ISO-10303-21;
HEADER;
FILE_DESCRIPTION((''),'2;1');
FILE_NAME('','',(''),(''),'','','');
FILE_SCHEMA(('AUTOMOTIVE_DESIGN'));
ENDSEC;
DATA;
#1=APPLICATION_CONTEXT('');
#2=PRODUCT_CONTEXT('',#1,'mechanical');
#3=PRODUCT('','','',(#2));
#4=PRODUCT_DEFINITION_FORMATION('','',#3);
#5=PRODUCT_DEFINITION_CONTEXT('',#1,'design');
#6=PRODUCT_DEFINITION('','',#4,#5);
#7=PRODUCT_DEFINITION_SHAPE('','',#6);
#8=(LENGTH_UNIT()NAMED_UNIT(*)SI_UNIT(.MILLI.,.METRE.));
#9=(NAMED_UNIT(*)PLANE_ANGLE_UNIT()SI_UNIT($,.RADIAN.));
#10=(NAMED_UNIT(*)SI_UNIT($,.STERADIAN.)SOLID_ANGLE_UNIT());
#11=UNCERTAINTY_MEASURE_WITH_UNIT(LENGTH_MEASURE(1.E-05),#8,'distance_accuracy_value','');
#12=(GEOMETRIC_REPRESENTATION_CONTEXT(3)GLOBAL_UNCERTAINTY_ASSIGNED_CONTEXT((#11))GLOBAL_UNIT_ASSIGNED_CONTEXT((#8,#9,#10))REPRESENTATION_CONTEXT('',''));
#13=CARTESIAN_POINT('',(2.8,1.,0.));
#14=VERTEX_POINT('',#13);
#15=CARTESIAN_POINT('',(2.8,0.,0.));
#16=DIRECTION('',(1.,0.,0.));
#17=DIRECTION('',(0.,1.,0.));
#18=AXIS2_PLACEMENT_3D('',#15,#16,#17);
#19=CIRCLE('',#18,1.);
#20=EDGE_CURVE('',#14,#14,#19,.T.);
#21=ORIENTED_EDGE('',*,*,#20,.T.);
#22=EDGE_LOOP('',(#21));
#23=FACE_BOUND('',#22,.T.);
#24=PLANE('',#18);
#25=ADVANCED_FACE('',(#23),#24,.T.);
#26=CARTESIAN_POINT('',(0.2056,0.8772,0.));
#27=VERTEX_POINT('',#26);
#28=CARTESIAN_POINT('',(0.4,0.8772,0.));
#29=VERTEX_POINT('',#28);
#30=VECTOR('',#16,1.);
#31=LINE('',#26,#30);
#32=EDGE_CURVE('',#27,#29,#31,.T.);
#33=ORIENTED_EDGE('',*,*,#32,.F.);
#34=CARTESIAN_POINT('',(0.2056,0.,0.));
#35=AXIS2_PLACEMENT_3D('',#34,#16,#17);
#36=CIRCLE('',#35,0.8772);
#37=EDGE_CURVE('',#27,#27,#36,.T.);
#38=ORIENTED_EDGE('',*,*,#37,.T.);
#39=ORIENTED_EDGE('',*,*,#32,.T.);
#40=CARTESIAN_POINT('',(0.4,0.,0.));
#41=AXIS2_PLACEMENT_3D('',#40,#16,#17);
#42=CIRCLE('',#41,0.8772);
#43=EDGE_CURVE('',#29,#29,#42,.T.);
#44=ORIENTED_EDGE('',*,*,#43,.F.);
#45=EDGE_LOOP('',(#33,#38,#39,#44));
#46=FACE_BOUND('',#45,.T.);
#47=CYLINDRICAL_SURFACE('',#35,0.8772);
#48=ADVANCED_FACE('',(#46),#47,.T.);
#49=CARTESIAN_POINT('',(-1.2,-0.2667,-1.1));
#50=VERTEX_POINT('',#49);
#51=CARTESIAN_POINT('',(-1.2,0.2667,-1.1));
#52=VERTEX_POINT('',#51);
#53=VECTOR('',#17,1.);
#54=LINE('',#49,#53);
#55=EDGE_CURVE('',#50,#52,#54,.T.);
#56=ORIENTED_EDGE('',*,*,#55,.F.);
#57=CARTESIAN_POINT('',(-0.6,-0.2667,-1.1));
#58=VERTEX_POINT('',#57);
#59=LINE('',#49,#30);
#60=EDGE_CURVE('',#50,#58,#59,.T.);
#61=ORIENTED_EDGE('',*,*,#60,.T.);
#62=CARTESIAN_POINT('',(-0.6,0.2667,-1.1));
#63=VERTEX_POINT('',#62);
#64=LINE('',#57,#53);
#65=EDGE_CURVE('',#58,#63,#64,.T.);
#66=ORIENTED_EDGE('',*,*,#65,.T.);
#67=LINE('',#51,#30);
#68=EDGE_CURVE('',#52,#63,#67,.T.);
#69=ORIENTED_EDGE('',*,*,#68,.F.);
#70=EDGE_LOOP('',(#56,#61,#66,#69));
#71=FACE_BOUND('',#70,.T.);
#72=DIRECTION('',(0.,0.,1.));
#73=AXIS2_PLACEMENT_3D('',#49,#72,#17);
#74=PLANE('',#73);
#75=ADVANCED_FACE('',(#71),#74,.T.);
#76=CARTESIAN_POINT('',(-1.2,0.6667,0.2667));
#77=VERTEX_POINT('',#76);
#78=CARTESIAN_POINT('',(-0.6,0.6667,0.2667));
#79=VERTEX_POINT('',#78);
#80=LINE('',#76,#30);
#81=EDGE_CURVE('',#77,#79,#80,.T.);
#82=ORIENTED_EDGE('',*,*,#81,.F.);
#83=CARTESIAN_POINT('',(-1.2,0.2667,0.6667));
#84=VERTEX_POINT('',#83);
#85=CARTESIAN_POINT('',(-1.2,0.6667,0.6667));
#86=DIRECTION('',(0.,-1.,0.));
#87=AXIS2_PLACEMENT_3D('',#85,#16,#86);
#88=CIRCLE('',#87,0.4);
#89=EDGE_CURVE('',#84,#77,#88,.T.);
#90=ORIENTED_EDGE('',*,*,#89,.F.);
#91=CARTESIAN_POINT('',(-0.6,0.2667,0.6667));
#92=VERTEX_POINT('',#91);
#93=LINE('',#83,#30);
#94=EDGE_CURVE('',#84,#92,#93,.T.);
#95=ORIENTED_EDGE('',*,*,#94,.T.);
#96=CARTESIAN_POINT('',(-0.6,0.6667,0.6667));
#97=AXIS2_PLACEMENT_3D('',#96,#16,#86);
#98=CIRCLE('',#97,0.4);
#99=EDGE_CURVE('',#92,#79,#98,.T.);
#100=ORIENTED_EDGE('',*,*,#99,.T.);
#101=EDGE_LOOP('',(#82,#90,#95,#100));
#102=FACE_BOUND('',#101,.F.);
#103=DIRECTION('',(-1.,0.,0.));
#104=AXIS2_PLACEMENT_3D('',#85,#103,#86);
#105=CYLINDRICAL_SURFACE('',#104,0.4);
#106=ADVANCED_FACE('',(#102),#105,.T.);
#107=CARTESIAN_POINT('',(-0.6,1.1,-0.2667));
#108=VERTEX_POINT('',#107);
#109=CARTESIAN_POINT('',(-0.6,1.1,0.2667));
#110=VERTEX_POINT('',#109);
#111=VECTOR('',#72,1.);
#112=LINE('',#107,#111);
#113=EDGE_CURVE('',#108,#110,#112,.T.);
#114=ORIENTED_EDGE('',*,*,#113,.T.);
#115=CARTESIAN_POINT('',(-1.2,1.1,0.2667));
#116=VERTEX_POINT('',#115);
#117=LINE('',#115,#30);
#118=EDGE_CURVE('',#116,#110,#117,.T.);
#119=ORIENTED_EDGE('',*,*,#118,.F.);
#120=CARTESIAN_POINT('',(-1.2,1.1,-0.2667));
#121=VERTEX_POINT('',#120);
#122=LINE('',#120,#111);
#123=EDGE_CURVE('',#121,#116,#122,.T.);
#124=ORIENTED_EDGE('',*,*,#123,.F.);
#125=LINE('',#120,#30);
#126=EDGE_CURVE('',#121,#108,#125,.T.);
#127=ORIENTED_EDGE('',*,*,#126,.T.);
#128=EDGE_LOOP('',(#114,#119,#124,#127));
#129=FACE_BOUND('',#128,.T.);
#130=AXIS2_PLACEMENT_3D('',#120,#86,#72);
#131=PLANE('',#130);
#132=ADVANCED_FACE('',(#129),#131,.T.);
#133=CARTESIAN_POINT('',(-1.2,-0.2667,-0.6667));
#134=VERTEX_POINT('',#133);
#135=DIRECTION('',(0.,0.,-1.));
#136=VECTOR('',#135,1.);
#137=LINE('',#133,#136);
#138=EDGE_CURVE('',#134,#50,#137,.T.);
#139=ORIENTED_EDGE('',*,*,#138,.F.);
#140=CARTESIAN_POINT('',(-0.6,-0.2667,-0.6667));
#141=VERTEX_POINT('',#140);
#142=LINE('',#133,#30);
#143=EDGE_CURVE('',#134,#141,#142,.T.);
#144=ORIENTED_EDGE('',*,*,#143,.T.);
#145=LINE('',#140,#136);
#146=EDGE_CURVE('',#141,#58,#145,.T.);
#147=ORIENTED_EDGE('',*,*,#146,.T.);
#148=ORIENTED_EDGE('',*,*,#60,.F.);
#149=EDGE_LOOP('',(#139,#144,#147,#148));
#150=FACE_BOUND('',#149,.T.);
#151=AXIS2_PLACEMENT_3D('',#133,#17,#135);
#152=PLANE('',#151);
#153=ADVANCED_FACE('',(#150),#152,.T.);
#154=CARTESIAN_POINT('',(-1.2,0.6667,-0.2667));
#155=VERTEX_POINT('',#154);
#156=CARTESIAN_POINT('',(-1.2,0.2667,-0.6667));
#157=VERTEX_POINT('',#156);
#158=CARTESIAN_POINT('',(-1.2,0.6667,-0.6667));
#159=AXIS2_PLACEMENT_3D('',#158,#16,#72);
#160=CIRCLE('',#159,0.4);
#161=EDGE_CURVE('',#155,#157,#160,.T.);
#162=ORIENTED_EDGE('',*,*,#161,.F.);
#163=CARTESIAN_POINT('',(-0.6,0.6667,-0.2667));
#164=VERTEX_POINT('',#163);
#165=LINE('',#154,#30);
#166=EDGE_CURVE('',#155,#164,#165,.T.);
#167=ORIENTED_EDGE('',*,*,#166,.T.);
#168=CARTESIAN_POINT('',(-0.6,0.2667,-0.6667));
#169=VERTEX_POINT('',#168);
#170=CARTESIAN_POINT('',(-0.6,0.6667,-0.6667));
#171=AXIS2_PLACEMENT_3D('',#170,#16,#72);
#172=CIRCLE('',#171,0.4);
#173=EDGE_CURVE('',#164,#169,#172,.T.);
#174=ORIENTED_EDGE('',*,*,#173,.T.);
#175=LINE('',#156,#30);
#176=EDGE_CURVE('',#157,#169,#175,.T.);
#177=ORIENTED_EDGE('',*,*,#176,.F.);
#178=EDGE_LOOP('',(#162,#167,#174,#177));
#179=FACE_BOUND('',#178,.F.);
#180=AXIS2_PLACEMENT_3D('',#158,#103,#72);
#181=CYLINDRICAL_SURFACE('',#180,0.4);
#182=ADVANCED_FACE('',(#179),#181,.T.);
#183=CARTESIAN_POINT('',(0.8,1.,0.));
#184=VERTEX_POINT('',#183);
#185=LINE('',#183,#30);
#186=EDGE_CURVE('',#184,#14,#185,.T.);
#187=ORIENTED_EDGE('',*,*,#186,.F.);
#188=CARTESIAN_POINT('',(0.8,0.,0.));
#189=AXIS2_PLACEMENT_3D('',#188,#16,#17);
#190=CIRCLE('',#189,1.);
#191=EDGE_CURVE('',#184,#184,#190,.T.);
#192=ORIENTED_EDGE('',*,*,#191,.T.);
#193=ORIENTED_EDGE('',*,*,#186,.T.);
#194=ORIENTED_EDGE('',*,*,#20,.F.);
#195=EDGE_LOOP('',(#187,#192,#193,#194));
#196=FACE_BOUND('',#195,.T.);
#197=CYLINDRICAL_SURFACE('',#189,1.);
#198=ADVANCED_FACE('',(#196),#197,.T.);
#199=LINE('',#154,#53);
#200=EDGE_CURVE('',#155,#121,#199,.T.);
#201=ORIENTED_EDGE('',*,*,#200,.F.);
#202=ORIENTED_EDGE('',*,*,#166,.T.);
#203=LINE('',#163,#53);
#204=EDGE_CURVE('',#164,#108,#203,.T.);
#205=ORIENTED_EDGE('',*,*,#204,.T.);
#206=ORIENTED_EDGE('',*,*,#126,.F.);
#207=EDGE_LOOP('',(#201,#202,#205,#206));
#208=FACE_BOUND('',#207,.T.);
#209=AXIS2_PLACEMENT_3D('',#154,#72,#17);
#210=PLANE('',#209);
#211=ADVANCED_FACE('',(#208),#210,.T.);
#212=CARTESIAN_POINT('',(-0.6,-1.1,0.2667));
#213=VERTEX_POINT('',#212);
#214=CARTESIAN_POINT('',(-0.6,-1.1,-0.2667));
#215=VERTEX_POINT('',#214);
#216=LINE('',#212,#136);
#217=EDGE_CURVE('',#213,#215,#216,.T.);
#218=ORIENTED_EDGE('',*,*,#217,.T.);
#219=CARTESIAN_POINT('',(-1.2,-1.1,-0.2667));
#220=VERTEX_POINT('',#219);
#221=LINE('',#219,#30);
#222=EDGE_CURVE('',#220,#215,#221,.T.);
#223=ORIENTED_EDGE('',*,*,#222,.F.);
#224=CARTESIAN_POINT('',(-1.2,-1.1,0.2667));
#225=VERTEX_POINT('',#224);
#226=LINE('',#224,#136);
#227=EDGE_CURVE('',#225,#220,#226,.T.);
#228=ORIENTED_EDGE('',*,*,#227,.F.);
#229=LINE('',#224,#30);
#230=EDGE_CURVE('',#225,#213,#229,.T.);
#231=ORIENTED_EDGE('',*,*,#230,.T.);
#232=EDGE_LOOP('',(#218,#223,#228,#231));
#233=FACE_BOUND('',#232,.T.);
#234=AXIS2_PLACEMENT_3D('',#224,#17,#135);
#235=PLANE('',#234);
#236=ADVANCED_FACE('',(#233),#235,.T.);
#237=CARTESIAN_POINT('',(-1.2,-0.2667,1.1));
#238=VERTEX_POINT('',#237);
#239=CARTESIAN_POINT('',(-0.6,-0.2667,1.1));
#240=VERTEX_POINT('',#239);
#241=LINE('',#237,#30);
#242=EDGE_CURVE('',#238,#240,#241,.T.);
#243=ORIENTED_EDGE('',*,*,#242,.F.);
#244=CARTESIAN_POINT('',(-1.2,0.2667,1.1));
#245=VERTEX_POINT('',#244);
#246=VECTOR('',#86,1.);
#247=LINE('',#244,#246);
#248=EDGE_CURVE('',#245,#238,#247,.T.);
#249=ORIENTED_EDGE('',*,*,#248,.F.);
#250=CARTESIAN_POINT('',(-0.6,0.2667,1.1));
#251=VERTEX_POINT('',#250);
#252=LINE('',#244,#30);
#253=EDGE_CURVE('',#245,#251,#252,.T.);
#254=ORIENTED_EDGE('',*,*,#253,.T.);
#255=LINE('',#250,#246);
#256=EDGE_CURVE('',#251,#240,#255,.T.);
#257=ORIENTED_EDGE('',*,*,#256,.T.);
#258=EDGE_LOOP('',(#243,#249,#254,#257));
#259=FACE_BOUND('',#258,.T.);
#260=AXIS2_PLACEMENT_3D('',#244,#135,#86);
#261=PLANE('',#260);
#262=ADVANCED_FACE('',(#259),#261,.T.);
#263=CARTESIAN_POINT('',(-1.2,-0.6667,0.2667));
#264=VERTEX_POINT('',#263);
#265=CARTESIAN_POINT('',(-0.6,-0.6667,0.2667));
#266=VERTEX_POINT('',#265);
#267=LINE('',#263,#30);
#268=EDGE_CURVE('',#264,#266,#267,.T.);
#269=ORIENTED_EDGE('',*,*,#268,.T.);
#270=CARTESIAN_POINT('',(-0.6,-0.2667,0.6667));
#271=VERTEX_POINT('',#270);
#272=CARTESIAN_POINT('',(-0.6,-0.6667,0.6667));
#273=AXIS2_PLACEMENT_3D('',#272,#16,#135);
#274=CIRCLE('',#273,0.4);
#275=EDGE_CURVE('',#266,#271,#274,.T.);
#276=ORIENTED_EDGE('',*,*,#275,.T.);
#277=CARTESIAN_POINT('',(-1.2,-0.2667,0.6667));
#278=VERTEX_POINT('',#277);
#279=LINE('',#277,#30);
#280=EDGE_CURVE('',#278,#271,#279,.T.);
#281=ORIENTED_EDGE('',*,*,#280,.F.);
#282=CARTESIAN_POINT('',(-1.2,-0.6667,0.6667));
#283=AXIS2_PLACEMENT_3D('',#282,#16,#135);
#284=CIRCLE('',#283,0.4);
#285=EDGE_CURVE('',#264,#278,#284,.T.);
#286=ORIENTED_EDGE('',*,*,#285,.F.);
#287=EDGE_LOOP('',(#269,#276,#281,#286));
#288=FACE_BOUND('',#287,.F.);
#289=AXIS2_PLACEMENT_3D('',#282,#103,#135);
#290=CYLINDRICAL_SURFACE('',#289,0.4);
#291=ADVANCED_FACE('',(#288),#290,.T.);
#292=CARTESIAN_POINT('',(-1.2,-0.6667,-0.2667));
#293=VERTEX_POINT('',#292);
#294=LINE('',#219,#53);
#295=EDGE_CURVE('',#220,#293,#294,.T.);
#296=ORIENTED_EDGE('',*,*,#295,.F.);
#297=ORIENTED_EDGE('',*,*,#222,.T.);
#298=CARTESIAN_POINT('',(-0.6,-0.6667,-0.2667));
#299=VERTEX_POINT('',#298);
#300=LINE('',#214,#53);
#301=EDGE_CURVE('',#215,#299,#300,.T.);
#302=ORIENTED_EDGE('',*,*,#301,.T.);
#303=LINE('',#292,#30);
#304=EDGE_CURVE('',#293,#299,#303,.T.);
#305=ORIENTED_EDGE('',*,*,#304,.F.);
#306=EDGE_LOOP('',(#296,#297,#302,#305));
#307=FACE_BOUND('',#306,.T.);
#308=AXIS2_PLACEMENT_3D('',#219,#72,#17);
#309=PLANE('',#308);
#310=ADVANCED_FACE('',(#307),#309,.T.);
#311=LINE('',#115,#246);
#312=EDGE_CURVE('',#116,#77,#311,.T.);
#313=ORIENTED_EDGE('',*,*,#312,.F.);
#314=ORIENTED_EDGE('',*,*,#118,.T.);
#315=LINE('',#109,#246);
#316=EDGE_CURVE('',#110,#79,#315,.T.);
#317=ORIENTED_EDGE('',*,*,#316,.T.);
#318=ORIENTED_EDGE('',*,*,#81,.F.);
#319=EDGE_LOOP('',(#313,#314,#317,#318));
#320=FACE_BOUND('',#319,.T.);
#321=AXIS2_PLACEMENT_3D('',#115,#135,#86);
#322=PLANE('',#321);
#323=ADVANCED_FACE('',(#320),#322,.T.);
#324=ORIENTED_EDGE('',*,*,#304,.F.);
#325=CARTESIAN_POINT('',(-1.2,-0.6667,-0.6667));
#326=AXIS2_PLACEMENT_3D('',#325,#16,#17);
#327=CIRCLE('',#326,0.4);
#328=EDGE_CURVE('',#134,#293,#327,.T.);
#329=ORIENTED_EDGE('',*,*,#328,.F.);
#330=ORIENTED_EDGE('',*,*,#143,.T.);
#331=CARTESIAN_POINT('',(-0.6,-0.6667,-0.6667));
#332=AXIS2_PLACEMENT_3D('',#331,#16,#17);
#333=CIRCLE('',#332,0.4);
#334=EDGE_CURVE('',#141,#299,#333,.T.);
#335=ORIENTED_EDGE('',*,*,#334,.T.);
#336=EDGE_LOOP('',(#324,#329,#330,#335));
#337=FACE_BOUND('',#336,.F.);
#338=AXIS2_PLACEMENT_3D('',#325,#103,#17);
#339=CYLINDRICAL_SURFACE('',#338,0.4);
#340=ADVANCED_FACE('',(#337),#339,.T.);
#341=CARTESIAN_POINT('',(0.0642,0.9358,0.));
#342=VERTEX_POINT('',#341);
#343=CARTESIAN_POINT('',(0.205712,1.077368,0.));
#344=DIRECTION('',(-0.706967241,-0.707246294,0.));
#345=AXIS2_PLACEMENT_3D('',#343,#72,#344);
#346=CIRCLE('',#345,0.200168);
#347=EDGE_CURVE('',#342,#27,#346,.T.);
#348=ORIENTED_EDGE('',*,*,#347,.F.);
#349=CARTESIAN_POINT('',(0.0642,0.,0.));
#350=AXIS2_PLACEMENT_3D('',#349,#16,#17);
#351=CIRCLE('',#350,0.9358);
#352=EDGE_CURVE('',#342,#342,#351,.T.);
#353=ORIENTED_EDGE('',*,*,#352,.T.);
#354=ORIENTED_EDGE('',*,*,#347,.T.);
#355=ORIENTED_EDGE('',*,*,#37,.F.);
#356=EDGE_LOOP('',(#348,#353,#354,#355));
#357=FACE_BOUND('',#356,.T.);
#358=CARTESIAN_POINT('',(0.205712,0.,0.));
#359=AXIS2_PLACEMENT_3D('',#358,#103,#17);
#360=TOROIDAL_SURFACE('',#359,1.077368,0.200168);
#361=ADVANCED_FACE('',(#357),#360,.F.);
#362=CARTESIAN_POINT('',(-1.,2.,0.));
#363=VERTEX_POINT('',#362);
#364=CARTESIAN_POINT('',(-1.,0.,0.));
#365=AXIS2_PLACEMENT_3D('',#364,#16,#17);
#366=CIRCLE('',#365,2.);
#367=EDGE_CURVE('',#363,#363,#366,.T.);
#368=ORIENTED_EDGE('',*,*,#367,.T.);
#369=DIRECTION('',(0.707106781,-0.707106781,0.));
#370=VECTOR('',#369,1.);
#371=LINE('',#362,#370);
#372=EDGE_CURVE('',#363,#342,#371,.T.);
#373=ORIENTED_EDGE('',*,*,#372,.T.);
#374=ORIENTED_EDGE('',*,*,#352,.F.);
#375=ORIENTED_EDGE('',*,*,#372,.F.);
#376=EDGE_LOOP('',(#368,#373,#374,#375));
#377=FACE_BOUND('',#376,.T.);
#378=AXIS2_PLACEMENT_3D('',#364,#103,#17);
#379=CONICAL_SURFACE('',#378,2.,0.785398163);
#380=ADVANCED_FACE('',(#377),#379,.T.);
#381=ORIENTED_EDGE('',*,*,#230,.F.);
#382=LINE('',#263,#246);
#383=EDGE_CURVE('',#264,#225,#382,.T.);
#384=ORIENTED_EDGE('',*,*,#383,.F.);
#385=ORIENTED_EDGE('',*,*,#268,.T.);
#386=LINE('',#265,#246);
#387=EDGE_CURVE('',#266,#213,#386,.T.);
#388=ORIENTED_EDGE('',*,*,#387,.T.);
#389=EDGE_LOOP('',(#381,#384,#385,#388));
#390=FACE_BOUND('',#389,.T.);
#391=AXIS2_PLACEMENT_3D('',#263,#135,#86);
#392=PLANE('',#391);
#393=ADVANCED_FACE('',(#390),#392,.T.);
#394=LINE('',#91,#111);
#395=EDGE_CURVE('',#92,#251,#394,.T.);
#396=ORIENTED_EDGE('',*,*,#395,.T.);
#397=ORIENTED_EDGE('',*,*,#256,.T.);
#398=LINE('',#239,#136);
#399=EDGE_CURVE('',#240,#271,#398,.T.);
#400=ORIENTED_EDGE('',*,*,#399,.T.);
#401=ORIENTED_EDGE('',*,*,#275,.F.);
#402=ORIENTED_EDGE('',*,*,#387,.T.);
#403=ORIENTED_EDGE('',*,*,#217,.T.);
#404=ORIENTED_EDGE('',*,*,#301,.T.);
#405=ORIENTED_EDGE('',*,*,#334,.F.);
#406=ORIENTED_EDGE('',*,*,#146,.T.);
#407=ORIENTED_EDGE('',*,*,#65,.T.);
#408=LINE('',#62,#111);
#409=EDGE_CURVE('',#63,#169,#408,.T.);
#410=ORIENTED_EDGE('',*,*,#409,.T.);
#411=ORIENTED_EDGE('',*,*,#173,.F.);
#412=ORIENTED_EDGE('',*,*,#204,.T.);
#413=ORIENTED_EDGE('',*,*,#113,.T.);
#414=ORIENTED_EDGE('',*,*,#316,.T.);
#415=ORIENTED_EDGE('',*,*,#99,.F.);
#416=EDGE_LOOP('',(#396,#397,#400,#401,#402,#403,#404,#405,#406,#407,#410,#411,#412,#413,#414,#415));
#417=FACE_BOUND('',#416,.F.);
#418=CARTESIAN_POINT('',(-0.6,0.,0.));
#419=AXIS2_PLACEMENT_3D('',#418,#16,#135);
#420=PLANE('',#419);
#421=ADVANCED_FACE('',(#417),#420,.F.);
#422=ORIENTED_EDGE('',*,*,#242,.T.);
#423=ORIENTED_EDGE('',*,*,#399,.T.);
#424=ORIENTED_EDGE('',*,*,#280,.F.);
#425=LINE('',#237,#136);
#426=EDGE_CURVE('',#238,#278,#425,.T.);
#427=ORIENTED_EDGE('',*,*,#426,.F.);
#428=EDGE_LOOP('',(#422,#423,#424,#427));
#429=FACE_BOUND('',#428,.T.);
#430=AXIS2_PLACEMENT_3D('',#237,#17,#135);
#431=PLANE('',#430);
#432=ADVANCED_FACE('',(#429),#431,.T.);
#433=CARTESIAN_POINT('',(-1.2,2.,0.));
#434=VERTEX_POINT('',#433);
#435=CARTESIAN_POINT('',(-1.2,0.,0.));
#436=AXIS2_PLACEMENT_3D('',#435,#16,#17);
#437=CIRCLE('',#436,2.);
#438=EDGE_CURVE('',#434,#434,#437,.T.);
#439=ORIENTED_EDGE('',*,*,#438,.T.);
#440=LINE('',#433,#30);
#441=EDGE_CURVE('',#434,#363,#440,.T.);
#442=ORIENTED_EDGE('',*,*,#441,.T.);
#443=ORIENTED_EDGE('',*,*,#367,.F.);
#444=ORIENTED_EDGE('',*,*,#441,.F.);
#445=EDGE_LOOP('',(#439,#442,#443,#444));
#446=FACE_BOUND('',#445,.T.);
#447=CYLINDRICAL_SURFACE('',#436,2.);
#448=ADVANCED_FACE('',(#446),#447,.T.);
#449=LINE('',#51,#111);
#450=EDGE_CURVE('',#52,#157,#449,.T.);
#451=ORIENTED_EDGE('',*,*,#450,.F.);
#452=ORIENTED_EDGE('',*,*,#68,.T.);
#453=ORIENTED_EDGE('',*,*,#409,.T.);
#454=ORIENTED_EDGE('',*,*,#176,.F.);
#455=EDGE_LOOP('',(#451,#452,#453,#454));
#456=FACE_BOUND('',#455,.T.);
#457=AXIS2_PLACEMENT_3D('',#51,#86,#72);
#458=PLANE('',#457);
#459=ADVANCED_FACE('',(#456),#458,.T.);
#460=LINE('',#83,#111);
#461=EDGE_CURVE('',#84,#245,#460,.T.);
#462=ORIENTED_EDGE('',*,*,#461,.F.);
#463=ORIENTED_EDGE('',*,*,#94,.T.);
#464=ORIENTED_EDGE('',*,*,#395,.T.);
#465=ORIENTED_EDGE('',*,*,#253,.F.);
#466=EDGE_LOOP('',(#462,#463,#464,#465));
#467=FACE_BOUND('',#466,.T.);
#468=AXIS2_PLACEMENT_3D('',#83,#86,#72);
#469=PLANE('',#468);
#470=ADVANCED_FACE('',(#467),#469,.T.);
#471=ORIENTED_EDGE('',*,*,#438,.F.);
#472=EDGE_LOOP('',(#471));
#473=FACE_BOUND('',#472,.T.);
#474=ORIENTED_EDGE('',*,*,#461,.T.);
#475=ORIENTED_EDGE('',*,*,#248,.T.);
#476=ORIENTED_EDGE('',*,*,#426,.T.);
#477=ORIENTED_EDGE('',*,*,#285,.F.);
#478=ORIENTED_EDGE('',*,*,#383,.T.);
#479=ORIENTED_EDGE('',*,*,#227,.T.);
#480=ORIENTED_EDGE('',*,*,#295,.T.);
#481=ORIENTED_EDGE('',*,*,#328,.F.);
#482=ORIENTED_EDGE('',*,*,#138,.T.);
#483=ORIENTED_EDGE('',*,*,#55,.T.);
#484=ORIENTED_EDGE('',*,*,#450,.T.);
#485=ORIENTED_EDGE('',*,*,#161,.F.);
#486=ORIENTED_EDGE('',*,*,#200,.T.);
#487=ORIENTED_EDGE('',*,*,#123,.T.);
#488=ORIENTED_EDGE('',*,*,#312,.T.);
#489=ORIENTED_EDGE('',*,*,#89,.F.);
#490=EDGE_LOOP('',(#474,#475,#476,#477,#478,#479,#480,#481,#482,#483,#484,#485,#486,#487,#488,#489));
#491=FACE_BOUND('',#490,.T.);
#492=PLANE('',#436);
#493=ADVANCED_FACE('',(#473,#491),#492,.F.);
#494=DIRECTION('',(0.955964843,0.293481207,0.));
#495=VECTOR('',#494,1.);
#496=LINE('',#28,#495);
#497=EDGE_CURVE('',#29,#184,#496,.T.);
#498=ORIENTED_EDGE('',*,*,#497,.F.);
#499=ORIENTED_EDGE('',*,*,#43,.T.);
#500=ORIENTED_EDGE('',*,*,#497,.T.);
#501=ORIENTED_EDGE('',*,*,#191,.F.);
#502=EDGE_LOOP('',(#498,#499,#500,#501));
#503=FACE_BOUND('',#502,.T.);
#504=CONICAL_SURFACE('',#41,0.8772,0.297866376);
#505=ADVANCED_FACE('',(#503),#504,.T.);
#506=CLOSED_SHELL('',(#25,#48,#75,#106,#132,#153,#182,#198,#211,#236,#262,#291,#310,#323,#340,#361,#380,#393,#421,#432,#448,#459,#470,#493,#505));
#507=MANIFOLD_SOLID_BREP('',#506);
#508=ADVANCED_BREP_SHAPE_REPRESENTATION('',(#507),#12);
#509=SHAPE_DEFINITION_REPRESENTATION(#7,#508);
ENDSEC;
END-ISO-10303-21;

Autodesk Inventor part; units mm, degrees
sketch "Sketch_1" plane through (0, 0, 0) normal (0, 0, 1) x (1, 0, 0)
  line L0 (2.8, 0) -> (-1.2, 0)
  line L1 (-1.2, 0) -> (-1.2, 2)
  line L2 (-1.2, 2) -> (-1, 2)
  line L3 (-1, 2) -> (0.0642, 0.9358)
  arc A0 (0.0642, 0.9358) -> (0.2056, 0.8772) centre (0.2056, 1.0772) ccw
  line L4 (0.2056, 0.8772) -> (0.4, 0.8772)
  line L5 (0.4, 0.8772) -> (0.8, 1)
  line L6 (0.8, 1) -> (2.8, 1)
  line L7 (2.8, 1) -> (2.8, 0)
  line L8 (2.8, 0) -> (-1.2, 0)
revolve "Revolution1" add sketch "Sketch_1" angle 360 about axis through (2.8, 0, 0) along (1, 0, 0)
thread "Thread1" size "M2x0.4" class "6g" standard "ISO Metric profile" full length
sketch "Sketch_2" plane through (-1.2, 0, 0) normal (1, 0, 0) x (0, 0, -1)
  line L0 (-1.1, -0.2667) -> (-0.6667, -0.2667)
  arc A0 (-0.2667, -0.6667) -> (-0.6667, -0.2667) centre (-0.6667, -0.6667) ccw
  line L1 (-0.2667, -0.6667) -> (-0.2667, -1.1)
  line L2 (-0.2667, -1.1) -> (0.2667, -1.1)
  line L3 (0.2667, -1.1) -> (0.2667, -0.6667)
  arc A1 (0.6667, -0.2667) -> (0.2667, -0.6667) centre (0.6667, -0.6667) ccw
  line L4 (0.6667, -0.2667) -> (1.1, -0.2667)
  line L5 (1.1, -0.2667) -> (1.1, 0.2667)
  line L6 (1.1, 0.2667) -> (0.6667, 0.2667)
  arc A2 (0.2667, 0.6667) -> (0.6667, 0.2667) centre (0.6667, 0.6667) ccw
  line L7 (0.2667, 0.6667) -> (0.2667, 1.1)
  line L8 (0.2667, 1.1) -> (-0.2667, 1.1)
  line L9 (-0.2667, 1.1) -> (-0.2667, 0.6667)
  arc A3 (-0.6667, 0.2667) -> (-0.2667, 0.6667) centre (-0.6667, 0.6667) ccw
  line L10 (-0.6667, 0.2667) -> (-1.1, 0.2667)
  line L11 (-1.1, 0.2667) -> (-1.1, -0.2667)
extrude "Extrusion1" cut sketch "Sketch_2" along normal blind 0.6
ref_plane "bolt_XY" through (-1.2, 0, 0) normal (1, 0, 0) x (0, 0, -1)
ref_plane "bolt_YZ" through (-1.2, 0, 0) normal (0, 0, -1) x (0, 1, 0)
ref_plane "bolt_ZX" through (-1.2, 0, 0) normal (0, 1, 0) x (1, 0, 0)
ref_plane "nut_XY" through (2.8, 0, 0) normal (1, 0, 0) x (0, 0, -1)
ref_plane "nut_YZ" through (2.8, 0, 0) normal (0, 0, -1) x (0, 1, 0)
ref_plane "nut_ZX" through (2.8, 0, 0) normal (0, 1, 0) x (1, 0, 0)
properties part number "BFBJ2-4"
